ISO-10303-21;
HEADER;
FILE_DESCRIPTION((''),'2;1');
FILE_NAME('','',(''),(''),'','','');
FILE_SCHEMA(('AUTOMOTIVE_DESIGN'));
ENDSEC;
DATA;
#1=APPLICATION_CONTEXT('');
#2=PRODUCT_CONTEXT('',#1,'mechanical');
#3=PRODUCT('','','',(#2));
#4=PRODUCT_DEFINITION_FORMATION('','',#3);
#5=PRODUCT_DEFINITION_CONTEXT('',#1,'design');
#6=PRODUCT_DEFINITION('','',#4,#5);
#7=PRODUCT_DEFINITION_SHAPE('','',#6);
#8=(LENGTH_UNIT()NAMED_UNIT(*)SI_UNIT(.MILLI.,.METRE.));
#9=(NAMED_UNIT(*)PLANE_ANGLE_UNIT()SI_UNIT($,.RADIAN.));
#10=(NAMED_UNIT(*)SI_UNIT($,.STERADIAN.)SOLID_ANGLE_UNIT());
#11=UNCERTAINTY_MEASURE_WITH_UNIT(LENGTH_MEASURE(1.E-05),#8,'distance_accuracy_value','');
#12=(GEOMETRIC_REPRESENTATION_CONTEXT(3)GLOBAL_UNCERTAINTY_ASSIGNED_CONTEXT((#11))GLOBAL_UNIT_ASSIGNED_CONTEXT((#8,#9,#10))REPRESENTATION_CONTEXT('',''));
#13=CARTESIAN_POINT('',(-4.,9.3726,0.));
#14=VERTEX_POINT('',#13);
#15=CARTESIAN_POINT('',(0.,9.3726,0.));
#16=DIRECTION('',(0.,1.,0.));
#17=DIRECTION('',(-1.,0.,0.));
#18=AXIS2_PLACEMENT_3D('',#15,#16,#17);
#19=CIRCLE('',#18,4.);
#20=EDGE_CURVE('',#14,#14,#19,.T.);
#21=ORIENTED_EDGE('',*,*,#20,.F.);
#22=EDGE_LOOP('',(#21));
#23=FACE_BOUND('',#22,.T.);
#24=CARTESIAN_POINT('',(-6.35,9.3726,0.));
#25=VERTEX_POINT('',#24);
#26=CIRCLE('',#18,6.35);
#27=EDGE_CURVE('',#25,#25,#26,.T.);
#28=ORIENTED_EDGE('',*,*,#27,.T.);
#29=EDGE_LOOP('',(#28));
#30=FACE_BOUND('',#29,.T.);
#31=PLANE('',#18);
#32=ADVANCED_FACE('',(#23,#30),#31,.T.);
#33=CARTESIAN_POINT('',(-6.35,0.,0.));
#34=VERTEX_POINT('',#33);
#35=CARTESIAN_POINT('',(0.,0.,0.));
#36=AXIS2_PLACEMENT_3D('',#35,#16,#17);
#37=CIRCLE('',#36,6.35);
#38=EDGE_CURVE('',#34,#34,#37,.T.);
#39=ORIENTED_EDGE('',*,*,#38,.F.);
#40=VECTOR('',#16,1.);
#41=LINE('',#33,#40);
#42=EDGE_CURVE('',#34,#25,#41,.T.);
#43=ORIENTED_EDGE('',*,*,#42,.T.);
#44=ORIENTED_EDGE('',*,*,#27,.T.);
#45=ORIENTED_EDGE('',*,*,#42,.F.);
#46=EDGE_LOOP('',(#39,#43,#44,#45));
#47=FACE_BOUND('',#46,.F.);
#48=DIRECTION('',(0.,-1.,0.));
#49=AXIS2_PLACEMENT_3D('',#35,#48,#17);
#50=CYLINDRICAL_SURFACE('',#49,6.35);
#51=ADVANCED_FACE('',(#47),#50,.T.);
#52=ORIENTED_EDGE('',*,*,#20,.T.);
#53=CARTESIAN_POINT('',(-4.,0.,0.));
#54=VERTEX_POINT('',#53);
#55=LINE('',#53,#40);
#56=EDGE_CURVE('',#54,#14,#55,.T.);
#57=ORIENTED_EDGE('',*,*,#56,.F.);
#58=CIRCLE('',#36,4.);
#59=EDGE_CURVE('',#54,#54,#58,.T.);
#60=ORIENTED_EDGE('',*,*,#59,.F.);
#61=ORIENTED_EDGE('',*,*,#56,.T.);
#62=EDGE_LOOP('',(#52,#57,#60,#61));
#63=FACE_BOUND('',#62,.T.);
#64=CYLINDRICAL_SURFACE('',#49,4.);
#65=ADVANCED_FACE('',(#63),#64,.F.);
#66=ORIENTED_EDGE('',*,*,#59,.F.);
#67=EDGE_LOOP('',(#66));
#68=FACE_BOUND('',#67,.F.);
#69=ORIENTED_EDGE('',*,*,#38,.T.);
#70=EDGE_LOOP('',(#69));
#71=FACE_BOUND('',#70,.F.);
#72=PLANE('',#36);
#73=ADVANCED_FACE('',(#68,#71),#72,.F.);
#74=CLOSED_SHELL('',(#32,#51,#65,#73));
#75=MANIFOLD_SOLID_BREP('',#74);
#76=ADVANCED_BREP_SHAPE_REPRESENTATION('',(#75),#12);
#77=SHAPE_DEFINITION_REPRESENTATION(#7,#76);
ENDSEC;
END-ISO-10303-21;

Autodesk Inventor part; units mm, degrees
ref_plane "YZ Plane" through (0, 0, 0) normal (1, 0, 0) x (0, 1, 0)
ref_plane "XZ Plane" through (0, 0, 0) normal (0, 1, 0) x (-1, 0, 0)
ref_plane "XY Plane" through (0, 0, 0) normal (0, 0, 1) x (1, 0, 0)
sketch "Sketch1" plane through (0, 0, 0) normal (0, 1, 0) x (-1, 0, 0)
  circle A0 centre (0, 0) radius 4
  circle A1 centre (0, 0) radius 6.35
  dimension "d0" = 8
  dimension "d1" = 12.7
extrude "Extrusion1" add sketch "Sketch1" along normal blind 9.3726
properties part number "Intake Pivot Spacer 1" material "Aluminum 6061"
